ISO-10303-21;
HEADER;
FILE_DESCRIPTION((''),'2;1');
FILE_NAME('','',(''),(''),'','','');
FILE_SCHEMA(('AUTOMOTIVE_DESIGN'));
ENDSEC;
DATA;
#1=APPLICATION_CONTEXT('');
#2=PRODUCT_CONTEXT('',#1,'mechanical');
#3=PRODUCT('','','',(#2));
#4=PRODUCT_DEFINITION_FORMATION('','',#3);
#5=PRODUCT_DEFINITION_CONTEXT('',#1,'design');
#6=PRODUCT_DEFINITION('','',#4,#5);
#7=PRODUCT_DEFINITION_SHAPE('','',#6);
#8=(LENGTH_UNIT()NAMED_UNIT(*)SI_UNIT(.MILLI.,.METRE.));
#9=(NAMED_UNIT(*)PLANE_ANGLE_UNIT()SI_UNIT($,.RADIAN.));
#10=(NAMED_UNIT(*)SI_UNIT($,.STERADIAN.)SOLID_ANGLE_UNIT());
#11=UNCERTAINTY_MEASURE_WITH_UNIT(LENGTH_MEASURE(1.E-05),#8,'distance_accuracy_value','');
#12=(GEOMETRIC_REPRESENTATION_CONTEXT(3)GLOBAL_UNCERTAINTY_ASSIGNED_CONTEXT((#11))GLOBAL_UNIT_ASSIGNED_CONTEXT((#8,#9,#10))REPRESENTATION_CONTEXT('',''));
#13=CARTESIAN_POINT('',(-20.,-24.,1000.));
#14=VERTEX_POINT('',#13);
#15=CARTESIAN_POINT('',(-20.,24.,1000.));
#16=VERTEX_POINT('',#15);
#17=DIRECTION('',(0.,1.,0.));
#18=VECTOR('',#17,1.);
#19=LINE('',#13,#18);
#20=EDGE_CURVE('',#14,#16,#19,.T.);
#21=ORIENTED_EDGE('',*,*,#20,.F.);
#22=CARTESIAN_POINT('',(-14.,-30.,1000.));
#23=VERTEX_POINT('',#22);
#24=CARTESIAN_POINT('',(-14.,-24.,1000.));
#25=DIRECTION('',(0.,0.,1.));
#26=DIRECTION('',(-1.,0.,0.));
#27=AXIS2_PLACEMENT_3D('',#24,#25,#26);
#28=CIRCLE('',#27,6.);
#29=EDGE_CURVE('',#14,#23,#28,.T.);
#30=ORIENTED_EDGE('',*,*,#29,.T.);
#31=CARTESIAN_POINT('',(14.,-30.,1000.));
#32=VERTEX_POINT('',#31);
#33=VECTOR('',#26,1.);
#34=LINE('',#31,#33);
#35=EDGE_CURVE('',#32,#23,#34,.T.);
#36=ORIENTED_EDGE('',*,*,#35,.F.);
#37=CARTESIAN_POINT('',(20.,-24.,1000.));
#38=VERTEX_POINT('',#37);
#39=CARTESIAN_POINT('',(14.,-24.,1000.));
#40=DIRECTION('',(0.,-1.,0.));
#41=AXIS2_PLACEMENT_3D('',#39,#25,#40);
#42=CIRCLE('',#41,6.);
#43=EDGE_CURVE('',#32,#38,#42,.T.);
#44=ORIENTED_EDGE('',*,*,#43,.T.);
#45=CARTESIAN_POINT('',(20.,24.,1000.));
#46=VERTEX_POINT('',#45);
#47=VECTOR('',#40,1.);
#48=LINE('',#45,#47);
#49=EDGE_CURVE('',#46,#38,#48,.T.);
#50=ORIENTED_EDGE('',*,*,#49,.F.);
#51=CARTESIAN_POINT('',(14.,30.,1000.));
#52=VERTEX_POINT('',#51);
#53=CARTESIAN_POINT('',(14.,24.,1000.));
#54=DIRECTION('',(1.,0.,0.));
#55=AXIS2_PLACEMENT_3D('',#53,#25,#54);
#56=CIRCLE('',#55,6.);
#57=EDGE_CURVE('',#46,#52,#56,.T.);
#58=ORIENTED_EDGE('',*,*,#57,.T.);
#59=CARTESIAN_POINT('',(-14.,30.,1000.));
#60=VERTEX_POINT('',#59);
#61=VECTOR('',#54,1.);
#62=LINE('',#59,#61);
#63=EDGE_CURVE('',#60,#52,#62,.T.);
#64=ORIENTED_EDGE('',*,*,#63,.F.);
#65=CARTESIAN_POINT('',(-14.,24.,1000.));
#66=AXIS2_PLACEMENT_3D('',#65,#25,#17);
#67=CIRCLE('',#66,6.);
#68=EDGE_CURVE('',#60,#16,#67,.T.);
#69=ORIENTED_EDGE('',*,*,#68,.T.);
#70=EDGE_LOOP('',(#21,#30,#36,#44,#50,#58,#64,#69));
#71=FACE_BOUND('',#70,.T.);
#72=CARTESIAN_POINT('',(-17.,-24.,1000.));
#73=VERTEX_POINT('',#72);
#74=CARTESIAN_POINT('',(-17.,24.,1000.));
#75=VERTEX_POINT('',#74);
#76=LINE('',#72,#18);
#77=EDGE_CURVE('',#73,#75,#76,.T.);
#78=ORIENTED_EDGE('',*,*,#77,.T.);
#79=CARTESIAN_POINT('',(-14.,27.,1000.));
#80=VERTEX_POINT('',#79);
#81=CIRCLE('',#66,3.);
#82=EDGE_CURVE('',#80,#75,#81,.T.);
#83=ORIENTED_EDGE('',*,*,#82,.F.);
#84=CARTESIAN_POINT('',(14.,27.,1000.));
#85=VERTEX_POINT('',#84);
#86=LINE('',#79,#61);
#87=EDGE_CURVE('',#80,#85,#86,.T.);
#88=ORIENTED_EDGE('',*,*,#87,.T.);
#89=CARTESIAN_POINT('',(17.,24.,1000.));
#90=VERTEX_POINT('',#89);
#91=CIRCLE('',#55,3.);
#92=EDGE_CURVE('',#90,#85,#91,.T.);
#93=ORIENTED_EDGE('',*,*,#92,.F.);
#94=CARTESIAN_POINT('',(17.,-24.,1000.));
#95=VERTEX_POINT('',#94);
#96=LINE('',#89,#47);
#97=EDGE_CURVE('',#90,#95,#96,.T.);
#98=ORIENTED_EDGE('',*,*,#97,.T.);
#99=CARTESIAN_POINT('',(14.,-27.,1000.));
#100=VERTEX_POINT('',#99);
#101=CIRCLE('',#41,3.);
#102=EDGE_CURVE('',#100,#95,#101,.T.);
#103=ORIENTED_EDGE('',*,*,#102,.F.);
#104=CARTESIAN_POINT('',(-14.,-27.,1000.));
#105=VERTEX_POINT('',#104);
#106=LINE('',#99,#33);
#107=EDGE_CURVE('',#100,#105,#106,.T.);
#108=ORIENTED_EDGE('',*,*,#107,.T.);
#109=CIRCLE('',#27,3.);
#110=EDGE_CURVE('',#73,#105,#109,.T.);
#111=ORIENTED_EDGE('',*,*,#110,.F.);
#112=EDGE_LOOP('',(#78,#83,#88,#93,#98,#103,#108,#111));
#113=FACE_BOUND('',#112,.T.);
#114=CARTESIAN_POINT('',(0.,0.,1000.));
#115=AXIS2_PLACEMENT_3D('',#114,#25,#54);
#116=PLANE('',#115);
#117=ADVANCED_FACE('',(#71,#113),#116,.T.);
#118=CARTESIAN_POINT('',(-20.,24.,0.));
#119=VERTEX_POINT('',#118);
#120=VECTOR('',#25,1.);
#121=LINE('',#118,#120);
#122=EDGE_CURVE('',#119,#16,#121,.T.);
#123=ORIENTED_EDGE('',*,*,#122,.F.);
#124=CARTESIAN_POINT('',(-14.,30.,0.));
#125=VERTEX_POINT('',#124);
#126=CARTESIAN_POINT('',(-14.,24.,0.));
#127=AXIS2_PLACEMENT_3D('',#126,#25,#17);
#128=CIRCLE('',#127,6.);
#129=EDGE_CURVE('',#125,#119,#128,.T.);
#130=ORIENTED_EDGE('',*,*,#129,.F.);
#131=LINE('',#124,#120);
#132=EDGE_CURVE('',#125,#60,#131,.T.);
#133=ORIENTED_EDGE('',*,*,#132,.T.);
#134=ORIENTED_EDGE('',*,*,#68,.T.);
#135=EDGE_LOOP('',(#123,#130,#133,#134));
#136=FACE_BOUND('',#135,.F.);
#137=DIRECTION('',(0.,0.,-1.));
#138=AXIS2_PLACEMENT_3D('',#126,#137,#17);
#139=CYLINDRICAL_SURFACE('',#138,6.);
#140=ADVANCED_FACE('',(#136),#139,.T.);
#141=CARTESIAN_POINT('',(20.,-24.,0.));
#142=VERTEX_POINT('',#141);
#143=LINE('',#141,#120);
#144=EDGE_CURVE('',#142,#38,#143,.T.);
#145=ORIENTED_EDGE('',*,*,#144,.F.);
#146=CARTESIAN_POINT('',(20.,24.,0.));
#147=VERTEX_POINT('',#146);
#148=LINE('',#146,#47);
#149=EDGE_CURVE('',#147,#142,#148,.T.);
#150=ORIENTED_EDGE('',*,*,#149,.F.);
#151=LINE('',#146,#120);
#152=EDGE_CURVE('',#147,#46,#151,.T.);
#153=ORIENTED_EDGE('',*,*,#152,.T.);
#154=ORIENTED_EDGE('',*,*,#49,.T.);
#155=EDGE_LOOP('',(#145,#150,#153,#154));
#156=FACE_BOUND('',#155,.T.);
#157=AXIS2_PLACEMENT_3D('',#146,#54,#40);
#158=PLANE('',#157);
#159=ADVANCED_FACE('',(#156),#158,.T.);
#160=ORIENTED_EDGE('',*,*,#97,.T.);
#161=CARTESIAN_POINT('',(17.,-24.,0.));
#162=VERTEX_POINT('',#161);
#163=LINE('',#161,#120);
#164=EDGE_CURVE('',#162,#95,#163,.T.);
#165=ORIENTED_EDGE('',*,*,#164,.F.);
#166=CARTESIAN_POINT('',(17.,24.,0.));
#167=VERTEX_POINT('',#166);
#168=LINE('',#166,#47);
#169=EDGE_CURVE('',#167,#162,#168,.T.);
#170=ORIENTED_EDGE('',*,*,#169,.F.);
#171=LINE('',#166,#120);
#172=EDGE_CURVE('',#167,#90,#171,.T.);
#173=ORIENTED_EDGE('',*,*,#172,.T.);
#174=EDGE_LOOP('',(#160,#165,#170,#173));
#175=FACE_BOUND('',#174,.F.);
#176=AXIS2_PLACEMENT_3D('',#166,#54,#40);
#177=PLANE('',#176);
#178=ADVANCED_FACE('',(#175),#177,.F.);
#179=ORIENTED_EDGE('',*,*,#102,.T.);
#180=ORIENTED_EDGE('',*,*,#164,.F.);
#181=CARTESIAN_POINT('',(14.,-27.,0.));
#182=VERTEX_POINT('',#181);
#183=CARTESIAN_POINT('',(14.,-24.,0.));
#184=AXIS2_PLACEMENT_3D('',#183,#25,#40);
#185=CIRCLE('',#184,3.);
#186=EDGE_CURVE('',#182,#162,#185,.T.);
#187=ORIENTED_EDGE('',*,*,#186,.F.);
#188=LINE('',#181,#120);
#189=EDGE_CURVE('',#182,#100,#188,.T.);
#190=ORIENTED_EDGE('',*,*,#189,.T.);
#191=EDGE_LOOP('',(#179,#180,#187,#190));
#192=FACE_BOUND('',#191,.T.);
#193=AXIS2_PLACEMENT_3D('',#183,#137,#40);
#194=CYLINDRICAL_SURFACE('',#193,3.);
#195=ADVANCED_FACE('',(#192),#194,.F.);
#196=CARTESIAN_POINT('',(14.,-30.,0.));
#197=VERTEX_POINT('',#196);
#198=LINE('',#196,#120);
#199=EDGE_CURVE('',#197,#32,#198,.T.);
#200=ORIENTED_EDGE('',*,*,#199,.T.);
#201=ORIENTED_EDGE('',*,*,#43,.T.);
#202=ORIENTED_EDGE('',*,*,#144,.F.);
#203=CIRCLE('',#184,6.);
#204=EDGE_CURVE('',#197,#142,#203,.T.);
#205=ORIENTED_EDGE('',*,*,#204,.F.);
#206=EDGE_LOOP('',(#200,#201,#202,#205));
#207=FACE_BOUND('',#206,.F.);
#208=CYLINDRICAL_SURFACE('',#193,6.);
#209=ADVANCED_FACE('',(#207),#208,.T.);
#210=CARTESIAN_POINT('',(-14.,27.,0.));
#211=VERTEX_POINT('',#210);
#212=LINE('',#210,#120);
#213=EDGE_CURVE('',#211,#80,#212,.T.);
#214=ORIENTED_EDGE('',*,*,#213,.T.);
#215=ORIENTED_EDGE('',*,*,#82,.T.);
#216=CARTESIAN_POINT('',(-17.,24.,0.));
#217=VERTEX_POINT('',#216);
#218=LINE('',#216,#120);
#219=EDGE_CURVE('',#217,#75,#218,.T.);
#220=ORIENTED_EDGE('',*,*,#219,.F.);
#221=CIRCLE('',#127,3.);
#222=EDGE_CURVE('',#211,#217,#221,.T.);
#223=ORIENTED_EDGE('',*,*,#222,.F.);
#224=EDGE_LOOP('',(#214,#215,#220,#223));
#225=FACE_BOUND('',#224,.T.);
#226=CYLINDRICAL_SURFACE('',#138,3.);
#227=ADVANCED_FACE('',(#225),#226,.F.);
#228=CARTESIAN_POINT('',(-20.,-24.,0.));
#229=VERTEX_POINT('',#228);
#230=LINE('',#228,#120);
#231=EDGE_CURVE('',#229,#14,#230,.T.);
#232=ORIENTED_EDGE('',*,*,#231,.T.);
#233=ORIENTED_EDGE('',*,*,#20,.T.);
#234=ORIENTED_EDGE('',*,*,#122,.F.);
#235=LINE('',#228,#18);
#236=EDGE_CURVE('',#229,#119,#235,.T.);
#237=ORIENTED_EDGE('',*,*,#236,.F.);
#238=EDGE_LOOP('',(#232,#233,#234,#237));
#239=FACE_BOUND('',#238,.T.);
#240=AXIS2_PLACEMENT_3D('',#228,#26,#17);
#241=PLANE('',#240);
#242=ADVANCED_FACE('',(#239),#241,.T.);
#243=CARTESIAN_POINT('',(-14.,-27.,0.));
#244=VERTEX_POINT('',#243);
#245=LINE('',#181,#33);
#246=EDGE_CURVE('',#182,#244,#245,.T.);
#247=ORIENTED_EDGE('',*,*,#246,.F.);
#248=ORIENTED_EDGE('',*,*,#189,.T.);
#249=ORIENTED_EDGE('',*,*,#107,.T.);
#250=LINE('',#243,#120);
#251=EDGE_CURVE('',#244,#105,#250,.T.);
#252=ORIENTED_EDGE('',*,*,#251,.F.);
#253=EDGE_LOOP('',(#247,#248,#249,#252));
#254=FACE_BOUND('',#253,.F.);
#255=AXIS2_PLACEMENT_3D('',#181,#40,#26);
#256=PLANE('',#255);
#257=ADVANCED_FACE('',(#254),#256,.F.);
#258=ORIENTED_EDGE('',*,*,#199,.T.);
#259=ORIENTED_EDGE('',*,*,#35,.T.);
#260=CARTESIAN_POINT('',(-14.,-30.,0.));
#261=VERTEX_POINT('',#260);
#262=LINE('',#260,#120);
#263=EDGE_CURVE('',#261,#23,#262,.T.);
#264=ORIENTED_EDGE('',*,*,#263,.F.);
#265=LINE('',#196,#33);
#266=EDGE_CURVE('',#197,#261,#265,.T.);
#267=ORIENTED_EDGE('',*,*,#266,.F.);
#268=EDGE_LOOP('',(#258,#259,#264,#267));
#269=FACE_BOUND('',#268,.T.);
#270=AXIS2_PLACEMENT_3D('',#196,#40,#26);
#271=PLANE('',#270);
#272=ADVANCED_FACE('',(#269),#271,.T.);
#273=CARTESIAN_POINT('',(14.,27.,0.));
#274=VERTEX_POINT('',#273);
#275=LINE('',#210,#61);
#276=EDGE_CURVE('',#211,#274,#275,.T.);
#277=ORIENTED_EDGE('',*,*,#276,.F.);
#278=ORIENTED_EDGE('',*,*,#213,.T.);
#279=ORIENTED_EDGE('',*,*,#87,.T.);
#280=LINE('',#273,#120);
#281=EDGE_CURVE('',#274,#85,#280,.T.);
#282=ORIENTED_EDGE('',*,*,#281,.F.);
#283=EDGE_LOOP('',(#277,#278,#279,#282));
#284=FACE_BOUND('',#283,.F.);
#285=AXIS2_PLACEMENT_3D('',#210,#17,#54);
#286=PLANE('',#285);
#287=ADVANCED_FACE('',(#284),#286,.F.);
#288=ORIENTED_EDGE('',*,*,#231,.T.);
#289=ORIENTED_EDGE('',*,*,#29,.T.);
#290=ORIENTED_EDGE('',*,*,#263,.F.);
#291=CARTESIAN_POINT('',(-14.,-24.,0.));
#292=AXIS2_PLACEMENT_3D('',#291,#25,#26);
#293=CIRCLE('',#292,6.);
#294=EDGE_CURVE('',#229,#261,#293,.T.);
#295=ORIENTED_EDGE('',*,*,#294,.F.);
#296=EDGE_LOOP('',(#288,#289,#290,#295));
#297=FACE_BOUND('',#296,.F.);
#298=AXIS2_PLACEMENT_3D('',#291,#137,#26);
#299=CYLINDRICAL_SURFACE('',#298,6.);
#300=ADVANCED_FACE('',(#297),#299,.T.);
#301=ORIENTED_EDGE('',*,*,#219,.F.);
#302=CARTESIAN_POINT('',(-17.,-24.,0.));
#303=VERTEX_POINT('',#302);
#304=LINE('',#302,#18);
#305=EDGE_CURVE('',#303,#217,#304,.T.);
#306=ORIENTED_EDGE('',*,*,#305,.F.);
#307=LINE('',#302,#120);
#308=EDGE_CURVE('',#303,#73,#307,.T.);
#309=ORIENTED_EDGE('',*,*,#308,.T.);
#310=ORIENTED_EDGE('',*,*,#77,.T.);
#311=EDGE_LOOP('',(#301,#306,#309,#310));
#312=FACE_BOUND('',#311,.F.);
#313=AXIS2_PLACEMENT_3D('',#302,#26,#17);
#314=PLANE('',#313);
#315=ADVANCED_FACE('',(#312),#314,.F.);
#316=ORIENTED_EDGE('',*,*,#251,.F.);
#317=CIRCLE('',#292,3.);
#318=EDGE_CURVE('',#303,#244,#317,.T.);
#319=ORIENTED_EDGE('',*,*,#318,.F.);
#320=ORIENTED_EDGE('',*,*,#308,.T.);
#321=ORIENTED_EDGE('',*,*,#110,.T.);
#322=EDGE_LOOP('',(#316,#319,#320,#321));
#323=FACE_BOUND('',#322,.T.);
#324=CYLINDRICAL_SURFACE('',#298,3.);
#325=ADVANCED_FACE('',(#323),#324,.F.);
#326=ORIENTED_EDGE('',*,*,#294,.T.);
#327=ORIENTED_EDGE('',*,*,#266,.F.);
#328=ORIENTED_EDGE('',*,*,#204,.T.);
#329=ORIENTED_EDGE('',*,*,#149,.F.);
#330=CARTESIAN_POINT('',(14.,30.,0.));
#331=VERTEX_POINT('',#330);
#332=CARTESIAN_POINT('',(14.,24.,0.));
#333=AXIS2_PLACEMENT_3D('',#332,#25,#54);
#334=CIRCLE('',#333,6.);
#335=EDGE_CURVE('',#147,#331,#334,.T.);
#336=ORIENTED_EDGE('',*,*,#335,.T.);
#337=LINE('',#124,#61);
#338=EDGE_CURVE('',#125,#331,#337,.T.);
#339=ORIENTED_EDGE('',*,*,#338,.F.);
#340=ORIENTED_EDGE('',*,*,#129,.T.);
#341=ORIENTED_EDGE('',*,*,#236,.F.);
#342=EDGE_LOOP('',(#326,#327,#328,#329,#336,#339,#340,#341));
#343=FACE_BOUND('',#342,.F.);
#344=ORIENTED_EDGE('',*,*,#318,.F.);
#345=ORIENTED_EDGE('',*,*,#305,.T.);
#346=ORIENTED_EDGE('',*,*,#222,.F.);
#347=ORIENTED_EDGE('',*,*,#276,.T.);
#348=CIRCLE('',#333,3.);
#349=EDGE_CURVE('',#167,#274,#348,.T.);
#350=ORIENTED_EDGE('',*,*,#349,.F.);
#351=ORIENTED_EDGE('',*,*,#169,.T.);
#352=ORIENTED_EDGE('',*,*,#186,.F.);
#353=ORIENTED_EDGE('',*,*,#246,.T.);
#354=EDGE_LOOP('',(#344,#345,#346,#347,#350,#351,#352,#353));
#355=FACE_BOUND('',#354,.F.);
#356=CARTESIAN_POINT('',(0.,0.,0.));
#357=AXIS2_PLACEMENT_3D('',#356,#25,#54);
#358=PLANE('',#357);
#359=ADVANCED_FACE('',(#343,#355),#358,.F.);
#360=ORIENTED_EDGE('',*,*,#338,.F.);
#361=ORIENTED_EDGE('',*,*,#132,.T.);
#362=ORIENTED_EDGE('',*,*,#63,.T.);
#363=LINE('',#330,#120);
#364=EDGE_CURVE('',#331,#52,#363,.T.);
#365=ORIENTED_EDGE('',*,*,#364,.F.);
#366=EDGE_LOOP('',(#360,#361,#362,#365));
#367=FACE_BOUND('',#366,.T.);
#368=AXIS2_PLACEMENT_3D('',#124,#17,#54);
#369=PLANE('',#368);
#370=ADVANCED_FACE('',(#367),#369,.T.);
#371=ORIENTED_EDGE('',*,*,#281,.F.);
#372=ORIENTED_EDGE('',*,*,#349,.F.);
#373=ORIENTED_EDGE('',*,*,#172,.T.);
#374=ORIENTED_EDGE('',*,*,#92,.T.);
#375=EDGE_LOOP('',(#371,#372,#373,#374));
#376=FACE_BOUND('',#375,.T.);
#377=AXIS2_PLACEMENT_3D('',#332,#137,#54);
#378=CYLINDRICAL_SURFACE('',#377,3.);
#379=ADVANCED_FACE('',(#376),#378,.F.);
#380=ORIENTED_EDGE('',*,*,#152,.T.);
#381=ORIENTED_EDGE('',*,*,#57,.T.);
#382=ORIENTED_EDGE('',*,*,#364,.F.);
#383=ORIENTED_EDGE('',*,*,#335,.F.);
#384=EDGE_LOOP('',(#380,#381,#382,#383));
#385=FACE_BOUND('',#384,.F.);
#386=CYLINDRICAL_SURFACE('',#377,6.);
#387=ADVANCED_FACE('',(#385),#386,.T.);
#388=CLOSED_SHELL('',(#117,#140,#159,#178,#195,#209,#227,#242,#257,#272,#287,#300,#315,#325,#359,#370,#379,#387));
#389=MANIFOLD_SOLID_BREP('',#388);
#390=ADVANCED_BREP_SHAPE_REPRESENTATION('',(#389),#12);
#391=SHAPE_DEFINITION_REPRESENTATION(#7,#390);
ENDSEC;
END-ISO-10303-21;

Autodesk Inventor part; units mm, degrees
ref_plane "YZ Plane" through (0, 0, 0) normal (1, 0, 0) x (0, 1, 0)
ref_plane "Start Plane" through (0, 0, 0) normal (0, 0, 1) x (1, 0, 0)
ref_plane "End Plane" through (0, 0, 1000) normal (0, 0, 1) x (1, 0, 0)
sketch "Sketch" plane through (0, 0, 0) normal (0, 0, 1) x (1, 0, 0)
  line L0 (-20, -24) -> (-20, 24)
  line L1 (-14, 30) -> (14, 30)
  line L2 (20, 24) -> (20, -24)
  line L3 (14, -30) -> (-14, -30)
  arc A0 (-20, -24) -> (-14, -30) centre (-14, -24) ccw
  arc A1 (20, 24) -> (14, 30) centre (14, 24) ccw
  arc A2 (-14, 30) -> (-20, 24) centre (-14, 24) ccw
  arc A3 (14, -30) -> (20, -24) centre (14, -24) ccw
  arc A4 (-14, 27) -> (-17, 24) centre (-14, 24) ccw
  line L4 (-14, 27) -> (14, 27)
  arc A5 (17, 24) -> (14, 27) centre (14, 24) ccw
  line L5 (17, 24) -> (17, -24)
  arc A6 (14, -27) -> (17, -24) centre (14, -24) ccw
  line L6 (14, -27) -> (-14, -27)
  arc A7 (-17, -24) -> (-14, -27) centre (-14, -24) ccw
  line L7 (-17, -24) -> (-17, 24)
  line L8 (0, 43.7397) -> (0, -43.7397) construction
  line L9 (-29.7397, 0) -> (29.7397, 0) construction
  dimension "d7" = 6
  dimension "d9" = 40
  dimension "d11" = 60
  dimension "d12" = 3
  dimension "d15" = 20
  dimension "d16" = 30
extrude "Body" add sketch "Sketch" along normal up to surface (1000 mm away) from surface at 0
sketch "Sketch3" plane through (0, 0, 0) normal (0, 0, 1) x (1, 0, 0)
  line L0 (0, 0) -> (10, 0)
ref_plane "Work Plane3" through (0, 0, 0) normal (0, -1, 0) x (1, 0, 0)
sketch "Sketch4" plane through (0, 0, 0) normal (0, -1, 0) x (1, 0, 0)
  line L0 (-2, 0) -> (12, 0) projected
  line L1 (-2, 1000) -> (12, 1000) projected
  dimension "d18" = 1000
equation "\"d7\" = G_IR"
equation "\"d9\" = G_W"
equation "\"d11\" = G_H"
equation "\"d12\" = G_T"
equation "\"d15\" = 0.5 * d9"
equation "\"d16\" = 0.5 * d11"
equation "\"d3\" = G_L"
equation "\"G_W\" = 40"
equation "\"G_H\" = 60"
equation "\"G_T\" = 3"
equation "\"G_IR\" = 6"
equation "\"G_L\" = d18"
equation "\"G_OFFSET_START\" = 0"
equation "\"G_OFFSET_END\" = 0"
properties part number "ISO 4019 - 60x40x3 - 1000" material "Steel, Mild"
